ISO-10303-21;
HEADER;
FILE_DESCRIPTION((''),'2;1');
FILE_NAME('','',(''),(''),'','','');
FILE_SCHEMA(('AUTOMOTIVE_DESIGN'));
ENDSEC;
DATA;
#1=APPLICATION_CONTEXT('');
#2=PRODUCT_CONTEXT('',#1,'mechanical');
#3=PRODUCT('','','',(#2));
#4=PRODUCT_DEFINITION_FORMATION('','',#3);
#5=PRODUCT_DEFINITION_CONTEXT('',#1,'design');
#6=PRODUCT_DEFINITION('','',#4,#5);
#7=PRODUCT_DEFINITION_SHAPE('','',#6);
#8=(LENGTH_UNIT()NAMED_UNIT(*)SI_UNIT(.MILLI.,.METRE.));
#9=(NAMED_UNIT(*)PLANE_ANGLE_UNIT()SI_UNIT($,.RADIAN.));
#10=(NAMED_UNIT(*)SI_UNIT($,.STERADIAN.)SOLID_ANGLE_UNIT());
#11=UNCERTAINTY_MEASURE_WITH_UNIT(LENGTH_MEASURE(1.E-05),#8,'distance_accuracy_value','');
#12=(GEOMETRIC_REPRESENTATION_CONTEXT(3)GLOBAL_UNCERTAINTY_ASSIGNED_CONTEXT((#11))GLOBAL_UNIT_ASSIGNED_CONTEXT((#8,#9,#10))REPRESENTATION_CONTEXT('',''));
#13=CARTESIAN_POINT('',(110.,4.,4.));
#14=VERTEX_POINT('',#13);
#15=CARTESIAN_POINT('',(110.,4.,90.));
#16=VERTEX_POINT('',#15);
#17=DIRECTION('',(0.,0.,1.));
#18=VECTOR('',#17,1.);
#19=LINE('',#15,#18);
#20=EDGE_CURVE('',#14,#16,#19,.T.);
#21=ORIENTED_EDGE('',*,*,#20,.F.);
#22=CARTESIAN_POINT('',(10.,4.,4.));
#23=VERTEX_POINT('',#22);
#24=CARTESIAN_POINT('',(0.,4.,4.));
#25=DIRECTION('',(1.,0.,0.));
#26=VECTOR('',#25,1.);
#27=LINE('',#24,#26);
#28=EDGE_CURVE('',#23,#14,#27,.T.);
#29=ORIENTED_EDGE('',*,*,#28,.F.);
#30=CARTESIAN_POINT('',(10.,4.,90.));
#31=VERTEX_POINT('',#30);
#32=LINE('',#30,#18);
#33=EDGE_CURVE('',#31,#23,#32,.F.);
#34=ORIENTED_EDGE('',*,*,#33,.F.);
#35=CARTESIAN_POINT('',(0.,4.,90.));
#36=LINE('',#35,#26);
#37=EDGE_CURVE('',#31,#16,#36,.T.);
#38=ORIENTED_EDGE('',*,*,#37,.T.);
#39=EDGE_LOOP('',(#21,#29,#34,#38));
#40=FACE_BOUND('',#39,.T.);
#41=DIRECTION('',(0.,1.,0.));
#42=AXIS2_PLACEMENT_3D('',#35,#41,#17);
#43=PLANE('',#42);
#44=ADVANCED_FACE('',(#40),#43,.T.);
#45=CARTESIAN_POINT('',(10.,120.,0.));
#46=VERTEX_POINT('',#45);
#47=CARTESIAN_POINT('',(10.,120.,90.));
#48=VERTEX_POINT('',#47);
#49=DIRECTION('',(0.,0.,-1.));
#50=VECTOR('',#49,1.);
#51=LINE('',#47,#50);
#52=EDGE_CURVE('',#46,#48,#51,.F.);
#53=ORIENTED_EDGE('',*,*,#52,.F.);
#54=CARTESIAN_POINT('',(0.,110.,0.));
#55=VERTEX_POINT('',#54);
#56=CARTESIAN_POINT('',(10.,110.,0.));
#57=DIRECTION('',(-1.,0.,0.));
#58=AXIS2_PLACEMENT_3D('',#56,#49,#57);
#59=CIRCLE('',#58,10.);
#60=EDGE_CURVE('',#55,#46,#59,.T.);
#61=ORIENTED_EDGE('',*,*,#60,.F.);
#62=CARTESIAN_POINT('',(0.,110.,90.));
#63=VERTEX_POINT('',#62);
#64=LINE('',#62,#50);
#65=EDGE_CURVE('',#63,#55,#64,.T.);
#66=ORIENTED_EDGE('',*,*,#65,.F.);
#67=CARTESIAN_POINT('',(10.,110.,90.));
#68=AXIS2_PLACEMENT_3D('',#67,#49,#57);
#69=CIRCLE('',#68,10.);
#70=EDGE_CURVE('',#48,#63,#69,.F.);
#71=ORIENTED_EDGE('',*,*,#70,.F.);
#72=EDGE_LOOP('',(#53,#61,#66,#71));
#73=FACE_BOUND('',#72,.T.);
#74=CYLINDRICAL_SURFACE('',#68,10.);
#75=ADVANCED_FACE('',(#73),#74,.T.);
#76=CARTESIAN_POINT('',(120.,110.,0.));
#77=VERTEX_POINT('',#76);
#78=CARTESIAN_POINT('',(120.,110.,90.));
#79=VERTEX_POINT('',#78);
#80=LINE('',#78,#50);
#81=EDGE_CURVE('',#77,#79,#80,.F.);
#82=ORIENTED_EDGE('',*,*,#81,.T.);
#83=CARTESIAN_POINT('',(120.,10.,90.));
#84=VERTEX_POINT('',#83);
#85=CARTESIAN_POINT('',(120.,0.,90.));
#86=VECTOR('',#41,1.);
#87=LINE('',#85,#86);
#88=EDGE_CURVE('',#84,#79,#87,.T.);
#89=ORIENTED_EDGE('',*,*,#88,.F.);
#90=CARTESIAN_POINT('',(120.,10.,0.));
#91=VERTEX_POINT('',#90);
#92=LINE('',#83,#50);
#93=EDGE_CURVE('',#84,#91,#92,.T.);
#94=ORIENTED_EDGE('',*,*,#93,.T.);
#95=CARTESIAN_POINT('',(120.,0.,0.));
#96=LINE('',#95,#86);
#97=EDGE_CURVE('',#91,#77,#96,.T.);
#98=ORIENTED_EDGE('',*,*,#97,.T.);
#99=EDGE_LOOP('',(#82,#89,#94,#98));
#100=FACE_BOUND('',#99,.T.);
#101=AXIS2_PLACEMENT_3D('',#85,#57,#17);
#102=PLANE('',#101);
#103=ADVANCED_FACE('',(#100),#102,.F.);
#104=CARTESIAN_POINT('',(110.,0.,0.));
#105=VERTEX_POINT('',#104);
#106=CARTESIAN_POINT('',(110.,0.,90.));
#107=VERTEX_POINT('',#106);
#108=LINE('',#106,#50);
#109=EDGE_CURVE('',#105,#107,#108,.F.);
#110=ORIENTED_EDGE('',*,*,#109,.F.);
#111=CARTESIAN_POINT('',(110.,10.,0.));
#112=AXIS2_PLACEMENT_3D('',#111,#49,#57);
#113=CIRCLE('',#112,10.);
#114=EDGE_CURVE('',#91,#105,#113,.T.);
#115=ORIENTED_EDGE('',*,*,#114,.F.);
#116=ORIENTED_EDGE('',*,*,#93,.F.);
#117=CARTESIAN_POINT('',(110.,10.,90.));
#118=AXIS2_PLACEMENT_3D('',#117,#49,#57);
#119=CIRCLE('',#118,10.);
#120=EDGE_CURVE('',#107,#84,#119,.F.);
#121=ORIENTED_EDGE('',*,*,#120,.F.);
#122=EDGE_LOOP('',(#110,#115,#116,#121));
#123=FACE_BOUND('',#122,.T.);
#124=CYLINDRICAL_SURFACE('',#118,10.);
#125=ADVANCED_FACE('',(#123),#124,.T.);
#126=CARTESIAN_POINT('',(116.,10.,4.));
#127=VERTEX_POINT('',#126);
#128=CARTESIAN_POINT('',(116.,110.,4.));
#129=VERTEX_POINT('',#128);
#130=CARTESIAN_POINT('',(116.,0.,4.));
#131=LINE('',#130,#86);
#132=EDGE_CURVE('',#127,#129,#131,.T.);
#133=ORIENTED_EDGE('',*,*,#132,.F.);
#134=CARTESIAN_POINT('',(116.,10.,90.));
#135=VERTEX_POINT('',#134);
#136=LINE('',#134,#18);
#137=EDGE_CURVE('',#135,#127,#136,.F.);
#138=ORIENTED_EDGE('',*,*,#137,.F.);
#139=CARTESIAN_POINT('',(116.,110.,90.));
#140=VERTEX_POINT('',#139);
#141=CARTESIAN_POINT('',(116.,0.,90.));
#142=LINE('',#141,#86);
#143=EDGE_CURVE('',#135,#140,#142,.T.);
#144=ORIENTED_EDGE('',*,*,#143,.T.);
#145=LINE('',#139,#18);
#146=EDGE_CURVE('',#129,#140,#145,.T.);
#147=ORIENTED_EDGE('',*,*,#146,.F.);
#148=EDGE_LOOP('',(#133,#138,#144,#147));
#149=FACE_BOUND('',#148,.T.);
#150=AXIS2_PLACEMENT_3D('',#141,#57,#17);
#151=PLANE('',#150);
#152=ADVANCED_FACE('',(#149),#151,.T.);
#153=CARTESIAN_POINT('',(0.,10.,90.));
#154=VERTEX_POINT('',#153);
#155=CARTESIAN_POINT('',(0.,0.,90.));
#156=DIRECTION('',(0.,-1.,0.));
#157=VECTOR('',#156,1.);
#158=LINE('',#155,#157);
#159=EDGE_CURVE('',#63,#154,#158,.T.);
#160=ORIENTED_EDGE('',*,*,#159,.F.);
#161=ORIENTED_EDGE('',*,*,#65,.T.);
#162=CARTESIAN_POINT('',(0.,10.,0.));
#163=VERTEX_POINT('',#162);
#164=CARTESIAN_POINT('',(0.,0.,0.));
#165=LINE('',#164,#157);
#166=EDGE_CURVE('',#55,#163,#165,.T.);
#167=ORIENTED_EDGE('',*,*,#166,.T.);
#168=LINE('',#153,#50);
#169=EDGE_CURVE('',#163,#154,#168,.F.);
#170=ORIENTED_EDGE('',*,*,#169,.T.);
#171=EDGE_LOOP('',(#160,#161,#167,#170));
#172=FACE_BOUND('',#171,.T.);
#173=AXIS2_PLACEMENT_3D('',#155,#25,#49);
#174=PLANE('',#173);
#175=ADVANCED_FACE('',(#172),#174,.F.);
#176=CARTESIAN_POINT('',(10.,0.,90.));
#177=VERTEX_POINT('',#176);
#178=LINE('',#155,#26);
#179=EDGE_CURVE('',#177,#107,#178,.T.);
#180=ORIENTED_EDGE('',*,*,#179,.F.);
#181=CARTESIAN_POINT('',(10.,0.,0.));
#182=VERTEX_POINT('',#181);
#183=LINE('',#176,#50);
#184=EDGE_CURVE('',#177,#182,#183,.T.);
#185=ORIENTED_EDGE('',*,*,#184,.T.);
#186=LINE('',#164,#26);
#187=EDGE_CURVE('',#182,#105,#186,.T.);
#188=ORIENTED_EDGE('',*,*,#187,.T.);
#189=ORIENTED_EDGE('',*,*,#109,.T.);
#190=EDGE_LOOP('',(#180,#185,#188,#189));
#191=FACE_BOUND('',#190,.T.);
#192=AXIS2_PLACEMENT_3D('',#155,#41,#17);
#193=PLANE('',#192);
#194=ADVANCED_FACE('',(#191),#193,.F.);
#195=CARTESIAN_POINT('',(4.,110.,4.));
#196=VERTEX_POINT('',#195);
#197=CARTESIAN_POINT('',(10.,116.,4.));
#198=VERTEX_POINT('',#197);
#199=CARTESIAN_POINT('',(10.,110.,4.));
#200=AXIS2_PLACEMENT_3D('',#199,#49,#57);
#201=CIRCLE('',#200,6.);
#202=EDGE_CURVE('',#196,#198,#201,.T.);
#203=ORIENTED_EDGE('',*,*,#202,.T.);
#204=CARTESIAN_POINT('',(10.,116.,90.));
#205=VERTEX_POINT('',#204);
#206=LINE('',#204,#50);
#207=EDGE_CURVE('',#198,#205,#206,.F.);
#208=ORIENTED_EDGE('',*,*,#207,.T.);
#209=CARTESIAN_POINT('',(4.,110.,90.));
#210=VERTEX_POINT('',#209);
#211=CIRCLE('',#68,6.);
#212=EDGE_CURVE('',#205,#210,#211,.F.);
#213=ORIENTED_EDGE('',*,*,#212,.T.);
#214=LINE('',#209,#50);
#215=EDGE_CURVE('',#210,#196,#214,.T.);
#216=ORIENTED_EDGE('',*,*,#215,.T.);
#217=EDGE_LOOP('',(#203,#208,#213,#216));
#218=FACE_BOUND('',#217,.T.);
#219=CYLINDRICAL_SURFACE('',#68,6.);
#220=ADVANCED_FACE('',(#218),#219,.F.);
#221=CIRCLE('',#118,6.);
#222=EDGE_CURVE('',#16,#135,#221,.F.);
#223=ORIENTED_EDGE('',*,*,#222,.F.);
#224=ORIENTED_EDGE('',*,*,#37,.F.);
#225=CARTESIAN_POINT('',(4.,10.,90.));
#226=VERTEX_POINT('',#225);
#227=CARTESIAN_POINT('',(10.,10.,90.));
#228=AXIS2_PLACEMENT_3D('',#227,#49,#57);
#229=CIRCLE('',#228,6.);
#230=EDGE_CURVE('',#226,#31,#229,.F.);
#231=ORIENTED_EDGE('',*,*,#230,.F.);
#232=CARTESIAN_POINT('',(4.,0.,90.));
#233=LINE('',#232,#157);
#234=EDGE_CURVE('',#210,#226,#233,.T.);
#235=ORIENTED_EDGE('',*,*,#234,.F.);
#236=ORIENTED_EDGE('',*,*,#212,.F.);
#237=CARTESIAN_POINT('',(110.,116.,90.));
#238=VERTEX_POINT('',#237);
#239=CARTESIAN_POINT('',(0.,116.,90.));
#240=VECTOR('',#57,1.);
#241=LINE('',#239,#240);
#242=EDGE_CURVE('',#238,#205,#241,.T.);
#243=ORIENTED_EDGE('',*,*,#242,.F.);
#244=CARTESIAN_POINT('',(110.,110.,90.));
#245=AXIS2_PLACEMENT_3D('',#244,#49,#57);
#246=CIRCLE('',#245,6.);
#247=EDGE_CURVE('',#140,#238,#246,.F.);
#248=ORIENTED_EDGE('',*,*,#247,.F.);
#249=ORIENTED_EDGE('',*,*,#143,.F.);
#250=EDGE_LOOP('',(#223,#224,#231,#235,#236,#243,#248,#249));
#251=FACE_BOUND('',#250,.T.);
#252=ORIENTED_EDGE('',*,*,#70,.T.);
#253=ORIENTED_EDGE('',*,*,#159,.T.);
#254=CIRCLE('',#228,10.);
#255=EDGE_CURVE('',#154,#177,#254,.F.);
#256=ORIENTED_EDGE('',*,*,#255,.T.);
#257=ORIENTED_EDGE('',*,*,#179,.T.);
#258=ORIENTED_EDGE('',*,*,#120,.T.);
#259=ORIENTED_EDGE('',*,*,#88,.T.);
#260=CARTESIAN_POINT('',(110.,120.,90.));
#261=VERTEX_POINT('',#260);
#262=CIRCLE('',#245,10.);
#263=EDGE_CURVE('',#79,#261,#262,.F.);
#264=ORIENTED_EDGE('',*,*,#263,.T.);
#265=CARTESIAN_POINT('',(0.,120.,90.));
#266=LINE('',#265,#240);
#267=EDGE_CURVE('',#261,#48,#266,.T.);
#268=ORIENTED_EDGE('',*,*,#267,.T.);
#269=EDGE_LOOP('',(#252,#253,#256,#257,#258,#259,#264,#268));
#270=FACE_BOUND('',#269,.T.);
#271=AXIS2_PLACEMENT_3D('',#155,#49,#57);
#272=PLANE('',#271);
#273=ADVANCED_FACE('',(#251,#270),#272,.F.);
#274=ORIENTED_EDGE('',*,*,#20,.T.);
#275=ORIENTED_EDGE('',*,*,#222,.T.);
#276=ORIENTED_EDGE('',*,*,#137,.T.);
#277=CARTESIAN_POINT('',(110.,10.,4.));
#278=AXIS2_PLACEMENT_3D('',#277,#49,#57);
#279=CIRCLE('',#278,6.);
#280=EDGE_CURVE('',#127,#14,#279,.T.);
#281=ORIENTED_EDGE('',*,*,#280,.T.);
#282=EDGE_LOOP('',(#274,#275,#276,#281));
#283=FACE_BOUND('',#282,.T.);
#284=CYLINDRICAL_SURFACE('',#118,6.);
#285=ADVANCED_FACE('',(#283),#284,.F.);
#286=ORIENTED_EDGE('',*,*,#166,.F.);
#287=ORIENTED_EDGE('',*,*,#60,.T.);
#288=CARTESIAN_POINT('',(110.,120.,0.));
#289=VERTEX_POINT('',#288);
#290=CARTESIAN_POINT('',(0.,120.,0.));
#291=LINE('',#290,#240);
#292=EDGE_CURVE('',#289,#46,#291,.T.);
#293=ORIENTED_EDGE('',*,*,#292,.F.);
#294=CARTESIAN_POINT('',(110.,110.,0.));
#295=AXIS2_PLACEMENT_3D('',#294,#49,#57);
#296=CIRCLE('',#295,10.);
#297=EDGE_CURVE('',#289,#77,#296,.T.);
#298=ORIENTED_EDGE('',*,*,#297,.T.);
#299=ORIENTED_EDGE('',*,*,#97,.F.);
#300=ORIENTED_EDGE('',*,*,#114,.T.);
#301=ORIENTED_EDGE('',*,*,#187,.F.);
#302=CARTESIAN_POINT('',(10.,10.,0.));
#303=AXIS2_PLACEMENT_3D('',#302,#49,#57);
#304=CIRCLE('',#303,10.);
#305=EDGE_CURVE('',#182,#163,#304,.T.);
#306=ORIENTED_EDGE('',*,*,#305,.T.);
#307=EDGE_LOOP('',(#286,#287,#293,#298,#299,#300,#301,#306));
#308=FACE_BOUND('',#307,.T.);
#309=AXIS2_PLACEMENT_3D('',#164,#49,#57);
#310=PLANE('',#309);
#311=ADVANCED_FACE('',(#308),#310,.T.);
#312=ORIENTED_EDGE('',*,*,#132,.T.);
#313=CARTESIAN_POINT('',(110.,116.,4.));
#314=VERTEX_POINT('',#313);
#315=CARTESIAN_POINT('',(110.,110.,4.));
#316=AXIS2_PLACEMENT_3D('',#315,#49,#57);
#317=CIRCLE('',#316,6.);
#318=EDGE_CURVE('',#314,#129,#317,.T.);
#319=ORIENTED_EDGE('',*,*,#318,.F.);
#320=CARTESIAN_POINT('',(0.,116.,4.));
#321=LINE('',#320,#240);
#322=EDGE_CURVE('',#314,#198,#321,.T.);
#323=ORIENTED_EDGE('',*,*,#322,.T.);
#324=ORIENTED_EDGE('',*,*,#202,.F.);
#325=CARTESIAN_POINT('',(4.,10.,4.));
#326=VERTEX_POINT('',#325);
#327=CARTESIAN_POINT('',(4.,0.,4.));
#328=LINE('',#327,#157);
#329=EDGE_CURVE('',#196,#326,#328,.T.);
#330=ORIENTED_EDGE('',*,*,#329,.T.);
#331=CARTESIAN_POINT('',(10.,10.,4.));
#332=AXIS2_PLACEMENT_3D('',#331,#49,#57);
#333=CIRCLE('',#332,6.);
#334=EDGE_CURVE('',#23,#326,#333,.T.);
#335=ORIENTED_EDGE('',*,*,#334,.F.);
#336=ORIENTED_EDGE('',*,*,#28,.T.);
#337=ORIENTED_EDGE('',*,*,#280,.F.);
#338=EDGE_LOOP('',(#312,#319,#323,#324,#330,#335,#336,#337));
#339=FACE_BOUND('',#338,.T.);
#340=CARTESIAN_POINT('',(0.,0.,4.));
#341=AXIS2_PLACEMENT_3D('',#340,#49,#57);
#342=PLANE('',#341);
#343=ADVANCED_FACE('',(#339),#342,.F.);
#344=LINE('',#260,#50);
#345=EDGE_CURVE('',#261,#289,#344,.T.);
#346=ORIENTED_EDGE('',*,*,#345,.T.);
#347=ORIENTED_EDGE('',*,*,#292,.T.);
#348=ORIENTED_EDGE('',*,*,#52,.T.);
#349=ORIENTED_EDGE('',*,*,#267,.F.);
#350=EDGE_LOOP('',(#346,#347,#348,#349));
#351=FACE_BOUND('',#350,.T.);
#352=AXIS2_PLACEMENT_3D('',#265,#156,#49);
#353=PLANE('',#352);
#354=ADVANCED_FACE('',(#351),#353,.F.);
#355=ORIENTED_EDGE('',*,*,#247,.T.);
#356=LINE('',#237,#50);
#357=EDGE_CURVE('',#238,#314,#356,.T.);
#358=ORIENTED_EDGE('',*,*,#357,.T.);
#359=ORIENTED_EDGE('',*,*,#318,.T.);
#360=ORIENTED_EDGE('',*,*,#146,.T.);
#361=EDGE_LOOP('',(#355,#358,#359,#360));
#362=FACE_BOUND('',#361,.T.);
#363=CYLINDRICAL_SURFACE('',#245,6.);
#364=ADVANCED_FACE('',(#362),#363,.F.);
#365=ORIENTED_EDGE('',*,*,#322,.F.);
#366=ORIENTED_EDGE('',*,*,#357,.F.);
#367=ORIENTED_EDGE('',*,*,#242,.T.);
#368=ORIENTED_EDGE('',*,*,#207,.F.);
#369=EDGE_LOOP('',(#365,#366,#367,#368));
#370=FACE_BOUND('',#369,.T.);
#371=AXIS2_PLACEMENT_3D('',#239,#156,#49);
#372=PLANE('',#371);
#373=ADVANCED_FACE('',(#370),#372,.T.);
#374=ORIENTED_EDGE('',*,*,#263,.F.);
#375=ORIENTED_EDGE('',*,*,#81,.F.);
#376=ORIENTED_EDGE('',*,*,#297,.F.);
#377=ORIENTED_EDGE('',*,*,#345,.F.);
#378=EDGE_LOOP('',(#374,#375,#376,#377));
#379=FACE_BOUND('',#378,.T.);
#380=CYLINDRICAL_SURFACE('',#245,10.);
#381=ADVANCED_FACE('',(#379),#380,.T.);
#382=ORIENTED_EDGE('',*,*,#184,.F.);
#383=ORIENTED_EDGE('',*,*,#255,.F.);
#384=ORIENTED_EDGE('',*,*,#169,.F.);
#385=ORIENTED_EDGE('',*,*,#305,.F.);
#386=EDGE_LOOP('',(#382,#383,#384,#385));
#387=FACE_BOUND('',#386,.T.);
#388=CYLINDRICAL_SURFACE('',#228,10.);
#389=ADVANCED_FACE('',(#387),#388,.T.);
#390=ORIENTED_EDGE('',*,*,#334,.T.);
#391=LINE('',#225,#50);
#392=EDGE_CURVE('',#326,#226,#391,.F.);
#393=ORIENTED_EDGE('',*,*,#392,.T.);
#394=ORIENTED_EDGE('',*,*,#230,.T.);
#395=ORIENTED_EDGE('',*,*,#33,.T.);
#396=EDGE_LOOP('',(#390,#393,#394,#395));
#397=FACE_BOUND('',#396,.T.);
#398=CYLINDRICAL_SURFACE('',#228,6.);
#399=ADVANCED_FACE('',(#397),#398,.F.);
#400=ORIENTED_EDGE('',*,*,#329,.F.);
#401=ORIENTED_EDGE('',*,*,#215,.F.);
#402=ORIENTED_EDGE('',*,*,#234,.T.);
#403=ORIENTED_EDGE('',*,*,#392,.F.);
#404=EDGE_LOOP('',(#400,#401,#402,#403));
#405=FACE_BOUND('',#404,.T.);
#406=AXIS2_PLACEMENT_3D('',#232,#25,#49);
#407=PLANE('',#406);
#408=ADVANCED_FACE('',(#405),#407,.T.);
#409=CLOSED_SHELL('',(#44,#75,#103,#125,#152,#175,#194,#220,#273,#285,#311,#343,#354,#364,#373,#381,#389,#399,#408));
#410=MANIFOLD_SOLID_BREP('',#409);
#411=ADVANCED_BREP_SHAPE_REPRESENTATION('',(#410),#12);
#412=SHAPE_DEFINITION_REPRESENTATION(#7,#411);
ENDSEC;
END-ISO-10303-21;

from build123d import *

# Parameters (mm, degrees)
SKETCH1_W           = 120
SKETCH1_H           = 120
BOSS_EXTRUDE1_DEPTH = 90
FILLET1_R           = 10
SHELL1_T            = -4


with BuildPart() as part:
    # Sketch1 → Boss-Extrude1 (new body)
    with BuildSketch(Plane.XY):
        with Locations((60, 60)):
            Rectangle(SKETCH1_W, SKETCH1_H)
    extrude(amount=BOSS_EXTRUDE1_DEPTH)

    # Fillet1
    fillet1_edges = [part.edges().sort_by_distance(p)[0] for p in [
        (0, 120, 45),
        (120, 120, 45),
        (120, 0, 45),
        (0, 0, 45),
    ]]
    fillet(fillet1_edges, radius=FILLET1_R)

    # Shell1
    shell1_openings = [part.faces().sort_by_distance(p)[0] for p in [
        (60, 60, 90),
    ]]
    offset(amount=SHELL1_T, openings=shell1_openings, kind=Kind.INTERSECTION)


solid = part.part
